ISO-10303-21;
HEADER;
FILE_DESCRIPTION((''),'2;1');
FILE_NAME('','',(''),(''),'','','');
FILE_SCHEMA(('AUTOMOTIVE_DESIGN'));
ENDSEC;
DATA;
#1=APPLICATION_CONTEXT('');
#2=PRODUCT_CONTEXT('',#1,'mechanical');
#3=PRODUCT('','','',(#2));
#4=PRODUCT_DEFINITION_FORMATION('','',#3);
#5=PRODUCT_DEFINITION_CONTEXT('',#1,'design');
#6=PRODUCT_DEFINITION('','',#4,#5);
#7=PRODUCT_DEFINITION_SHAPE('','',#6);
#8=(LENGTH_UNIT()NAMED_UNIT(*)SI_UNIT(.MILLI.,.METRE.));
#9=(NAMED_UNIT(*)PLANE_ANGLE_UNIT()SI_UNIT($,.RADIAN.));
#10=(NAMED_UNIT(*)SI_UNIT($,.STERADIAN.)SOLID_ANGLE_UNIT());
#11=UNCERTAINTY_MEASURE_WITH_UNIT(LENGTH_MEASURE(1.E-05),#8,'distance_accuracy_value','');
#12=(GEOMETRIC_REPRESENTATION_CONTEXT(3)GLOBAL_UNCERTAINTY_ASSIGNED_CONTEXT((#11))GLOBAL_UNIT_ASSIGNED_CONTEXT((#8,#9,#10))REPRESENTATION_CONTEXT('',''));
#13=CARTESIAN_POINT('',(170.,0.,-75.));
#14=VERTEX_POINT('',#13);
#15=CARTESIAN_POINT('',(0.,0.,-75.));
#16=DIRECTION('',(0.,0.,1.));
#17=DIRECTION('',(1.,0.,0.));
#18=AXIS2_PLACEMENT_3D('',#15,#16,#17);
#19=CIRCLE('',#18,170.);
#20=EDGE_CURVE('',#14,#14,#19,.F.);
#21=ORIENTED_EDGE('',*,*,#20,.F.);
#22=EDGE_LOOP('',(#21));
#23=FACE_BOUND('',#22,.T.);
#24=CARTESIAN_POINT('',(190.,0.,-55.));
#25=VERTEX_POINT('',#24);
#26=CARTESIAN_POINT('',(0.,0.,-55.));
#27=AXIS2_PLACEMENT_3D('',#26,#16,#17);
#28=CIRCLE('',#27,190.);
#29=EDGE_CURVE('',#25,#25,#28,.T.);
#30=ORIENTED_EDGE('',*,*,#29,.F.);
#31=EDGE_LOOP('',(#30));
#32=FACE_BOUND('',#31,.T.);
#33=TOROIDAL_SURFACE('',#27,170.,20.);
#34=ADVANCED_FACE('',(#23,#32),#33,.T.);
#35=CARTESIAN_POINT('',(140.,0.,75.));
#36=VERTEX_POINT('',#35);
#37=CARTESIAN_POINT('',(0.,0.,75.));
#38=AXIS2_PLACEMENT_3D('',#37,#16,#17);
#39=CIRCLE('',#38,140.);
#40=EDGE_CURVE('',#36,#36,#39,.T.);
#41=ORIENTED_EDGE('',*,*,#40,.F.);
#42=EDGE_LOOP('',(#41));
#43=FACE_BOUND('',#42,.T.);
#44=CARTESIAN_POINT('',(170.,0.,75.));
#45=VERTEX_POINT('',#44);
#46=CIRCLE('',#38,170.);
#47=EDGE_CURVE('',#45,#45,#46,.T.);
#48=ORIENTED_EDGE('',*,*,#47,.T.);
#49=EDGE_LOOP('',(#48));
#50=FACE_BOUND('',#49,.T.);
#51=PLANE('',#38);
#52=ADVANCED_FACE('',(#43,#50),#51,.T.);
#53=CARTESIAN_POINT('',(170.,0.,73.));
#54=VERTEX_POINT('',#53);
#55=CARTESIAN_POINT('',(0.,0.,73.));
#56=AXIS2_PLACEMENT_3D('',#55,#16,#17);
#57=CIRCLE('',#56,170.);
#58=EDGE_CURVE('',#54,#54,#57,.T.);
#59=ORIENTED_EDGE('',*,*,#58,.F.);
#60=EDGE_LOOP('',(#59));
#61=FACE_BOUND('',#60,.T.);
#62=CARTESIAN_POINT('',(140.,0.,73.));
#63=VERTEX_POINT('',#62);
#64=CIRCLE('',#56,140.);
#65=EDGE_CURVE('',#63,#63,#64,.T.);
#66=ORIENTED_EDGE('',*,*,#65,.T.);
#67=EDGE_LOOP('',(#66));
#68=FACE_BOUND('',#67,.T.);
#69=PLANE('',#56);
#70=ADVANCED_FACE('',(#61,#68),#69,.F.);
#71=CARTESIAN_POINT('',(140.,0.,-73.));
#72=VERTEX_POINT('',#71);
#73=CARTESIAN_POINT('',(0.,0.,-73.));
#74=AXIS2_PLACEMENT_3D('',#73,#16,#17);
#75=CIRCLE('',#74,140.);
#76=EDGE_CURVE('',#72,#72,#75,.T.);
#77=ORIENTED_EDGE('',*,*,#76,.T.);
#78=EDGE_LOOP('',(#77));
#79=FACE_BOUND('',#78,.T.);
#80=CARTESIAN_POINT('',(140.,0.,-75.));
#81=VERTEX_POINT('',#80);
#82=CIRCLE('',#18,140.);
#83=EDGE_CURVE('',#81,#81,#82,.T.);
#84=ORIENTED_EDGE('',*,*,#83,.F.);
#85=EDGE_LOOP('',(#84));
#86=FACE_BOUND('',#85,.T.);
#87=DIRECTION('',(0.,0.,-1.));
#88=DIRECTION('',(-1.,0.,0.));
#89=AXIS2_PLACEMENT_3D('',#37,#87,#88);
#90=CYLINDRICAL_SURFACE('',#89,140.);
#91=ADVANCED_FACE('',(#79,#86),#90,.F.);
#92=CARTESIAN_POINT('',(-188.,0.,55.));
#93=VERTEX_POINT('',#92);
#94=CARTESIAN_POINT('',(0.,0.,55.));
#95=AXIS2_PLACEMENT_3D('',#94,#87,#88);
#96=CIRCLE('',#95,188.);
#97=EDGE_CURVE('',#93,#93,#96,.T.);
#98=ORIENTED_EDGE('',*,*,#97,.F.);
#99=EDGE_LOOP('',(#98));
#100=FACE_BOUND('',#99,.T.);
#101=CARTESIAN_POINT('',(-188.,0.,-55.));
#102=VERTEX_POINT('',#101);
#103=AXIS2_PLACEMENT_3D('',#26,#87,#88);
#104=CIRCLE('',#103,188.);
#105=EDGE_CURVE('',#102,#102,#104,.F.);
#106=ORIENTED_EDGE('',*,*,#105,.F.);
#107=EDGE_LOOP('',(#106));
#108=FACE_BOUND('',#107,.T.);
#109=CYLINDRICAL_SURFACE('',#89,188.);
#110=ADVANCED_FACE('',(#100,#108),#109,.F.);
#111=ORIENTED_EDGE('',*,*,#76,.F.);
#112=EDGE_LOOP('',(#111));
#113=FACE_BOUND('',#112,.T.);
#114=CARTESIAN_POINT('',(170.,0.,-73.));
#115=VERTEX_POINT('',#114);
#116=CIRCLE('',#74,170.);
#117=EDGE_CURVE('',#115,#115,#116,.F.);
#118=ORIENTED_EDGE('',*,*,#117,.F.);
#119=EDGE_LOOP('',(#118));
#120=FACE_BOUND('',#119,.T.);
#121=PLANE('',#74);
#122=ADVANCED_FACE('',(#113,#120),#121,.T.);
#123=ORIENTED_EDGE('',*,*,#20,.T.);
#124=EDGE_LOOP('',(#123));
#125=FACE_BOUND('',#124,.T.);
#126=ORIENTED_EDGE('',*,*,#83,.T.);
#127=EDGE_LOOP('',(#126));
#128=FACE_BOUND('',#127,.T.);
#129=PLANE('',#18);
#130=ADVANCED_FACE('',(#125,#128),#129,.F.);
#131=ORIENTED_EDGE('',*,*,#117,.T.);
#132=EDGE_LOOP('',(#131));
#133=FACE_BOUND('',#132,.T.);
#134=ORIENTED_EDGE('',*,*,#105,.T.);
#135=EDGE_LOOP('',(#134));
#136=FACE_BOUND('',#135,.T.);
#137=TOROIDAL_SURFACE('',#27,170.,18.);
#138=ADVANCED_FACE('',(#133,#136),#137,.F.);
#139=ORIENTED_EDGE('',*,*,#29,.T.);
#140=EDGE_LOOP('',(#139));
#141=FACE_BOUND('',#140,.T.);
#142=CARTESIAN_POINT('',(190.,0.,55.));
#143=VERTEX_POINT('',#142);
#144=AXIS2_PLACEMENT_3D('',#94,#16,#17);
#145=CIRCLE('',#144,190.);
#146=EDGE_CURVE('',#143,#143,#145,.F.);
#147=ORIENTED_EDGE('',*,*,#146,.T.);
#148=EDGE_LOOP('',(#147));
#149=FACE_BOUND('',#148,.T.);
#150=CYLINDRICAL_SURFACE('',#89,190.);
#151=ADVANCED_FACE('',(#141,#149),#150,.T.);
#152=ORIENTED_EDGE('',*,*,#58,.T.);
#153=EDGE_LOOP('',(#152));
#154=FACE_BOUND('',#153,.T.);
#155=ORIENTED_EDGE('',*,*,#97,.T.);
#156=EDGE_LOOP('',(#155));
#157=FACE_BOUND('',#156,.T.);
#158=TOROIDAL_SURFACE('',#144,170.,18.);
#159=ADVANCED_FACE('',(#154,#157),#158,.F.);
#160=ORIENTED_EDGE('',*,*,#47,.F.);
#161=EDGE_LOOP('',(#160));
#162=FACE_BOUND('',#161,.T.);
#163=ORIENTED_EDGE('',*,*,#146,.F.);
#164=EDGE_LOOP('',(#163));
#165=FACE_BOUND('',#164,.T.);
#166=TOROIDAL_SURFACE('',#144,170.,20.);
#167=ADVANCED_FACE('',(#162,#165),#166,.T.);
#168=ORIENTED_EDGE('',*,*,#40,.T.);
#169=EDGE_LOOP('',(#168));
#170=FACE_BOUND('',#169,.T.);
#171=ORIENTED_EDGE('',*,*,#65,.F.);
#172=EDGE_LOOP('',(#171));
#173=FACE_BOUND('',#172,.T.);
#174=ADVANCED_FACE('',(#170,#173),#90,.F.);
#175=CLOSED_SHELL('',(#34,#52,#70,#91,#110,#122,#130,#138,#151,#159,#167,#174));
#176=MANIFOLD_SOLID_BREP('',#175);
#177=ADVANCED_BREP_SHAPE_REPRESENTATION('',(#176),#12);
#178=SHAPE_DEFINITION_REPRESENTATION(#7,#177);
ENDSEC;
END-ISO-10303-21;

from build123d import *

# Parameters (mm, degrees)
SKETCH1_R           = 190
SKETCH1_R_2         = 140
BOSS_EXTRUDE1_DEPTH = 75
FILLET2_R           = 20
SHELL1_T            = -2


with BuildPart() as part:
    # Sketch1 → Boss-Extrude1 (new, symmetric)
    with BuildSketch(Plane.XY):
        Circle(SKETCH1_R)
        Circle(SKETCH1_R_2, mode=Mode.SUBTRACT)
    extrude(amount=BOSS_EXTRUDE1_DEPTH, both=True)

    # Fillet2
    fillet2_edges = [part.edges().sort_by_distance(p)[0] for p in [
        (-190, 0, -75),
        (-190, 0, 75),
    ]]
    fillet(fillet2_edges, radius=FILLET2_R)

    # Shell1
    shell1_openings = [part.faces().sort_by_distance(p)[0] for p in [
        (-140, 0, 0),
    ]]
    offset(amount=SHELL1_T, openings=shell1_openings, kind=Kind.INTERSECTION)


solid = part.part
